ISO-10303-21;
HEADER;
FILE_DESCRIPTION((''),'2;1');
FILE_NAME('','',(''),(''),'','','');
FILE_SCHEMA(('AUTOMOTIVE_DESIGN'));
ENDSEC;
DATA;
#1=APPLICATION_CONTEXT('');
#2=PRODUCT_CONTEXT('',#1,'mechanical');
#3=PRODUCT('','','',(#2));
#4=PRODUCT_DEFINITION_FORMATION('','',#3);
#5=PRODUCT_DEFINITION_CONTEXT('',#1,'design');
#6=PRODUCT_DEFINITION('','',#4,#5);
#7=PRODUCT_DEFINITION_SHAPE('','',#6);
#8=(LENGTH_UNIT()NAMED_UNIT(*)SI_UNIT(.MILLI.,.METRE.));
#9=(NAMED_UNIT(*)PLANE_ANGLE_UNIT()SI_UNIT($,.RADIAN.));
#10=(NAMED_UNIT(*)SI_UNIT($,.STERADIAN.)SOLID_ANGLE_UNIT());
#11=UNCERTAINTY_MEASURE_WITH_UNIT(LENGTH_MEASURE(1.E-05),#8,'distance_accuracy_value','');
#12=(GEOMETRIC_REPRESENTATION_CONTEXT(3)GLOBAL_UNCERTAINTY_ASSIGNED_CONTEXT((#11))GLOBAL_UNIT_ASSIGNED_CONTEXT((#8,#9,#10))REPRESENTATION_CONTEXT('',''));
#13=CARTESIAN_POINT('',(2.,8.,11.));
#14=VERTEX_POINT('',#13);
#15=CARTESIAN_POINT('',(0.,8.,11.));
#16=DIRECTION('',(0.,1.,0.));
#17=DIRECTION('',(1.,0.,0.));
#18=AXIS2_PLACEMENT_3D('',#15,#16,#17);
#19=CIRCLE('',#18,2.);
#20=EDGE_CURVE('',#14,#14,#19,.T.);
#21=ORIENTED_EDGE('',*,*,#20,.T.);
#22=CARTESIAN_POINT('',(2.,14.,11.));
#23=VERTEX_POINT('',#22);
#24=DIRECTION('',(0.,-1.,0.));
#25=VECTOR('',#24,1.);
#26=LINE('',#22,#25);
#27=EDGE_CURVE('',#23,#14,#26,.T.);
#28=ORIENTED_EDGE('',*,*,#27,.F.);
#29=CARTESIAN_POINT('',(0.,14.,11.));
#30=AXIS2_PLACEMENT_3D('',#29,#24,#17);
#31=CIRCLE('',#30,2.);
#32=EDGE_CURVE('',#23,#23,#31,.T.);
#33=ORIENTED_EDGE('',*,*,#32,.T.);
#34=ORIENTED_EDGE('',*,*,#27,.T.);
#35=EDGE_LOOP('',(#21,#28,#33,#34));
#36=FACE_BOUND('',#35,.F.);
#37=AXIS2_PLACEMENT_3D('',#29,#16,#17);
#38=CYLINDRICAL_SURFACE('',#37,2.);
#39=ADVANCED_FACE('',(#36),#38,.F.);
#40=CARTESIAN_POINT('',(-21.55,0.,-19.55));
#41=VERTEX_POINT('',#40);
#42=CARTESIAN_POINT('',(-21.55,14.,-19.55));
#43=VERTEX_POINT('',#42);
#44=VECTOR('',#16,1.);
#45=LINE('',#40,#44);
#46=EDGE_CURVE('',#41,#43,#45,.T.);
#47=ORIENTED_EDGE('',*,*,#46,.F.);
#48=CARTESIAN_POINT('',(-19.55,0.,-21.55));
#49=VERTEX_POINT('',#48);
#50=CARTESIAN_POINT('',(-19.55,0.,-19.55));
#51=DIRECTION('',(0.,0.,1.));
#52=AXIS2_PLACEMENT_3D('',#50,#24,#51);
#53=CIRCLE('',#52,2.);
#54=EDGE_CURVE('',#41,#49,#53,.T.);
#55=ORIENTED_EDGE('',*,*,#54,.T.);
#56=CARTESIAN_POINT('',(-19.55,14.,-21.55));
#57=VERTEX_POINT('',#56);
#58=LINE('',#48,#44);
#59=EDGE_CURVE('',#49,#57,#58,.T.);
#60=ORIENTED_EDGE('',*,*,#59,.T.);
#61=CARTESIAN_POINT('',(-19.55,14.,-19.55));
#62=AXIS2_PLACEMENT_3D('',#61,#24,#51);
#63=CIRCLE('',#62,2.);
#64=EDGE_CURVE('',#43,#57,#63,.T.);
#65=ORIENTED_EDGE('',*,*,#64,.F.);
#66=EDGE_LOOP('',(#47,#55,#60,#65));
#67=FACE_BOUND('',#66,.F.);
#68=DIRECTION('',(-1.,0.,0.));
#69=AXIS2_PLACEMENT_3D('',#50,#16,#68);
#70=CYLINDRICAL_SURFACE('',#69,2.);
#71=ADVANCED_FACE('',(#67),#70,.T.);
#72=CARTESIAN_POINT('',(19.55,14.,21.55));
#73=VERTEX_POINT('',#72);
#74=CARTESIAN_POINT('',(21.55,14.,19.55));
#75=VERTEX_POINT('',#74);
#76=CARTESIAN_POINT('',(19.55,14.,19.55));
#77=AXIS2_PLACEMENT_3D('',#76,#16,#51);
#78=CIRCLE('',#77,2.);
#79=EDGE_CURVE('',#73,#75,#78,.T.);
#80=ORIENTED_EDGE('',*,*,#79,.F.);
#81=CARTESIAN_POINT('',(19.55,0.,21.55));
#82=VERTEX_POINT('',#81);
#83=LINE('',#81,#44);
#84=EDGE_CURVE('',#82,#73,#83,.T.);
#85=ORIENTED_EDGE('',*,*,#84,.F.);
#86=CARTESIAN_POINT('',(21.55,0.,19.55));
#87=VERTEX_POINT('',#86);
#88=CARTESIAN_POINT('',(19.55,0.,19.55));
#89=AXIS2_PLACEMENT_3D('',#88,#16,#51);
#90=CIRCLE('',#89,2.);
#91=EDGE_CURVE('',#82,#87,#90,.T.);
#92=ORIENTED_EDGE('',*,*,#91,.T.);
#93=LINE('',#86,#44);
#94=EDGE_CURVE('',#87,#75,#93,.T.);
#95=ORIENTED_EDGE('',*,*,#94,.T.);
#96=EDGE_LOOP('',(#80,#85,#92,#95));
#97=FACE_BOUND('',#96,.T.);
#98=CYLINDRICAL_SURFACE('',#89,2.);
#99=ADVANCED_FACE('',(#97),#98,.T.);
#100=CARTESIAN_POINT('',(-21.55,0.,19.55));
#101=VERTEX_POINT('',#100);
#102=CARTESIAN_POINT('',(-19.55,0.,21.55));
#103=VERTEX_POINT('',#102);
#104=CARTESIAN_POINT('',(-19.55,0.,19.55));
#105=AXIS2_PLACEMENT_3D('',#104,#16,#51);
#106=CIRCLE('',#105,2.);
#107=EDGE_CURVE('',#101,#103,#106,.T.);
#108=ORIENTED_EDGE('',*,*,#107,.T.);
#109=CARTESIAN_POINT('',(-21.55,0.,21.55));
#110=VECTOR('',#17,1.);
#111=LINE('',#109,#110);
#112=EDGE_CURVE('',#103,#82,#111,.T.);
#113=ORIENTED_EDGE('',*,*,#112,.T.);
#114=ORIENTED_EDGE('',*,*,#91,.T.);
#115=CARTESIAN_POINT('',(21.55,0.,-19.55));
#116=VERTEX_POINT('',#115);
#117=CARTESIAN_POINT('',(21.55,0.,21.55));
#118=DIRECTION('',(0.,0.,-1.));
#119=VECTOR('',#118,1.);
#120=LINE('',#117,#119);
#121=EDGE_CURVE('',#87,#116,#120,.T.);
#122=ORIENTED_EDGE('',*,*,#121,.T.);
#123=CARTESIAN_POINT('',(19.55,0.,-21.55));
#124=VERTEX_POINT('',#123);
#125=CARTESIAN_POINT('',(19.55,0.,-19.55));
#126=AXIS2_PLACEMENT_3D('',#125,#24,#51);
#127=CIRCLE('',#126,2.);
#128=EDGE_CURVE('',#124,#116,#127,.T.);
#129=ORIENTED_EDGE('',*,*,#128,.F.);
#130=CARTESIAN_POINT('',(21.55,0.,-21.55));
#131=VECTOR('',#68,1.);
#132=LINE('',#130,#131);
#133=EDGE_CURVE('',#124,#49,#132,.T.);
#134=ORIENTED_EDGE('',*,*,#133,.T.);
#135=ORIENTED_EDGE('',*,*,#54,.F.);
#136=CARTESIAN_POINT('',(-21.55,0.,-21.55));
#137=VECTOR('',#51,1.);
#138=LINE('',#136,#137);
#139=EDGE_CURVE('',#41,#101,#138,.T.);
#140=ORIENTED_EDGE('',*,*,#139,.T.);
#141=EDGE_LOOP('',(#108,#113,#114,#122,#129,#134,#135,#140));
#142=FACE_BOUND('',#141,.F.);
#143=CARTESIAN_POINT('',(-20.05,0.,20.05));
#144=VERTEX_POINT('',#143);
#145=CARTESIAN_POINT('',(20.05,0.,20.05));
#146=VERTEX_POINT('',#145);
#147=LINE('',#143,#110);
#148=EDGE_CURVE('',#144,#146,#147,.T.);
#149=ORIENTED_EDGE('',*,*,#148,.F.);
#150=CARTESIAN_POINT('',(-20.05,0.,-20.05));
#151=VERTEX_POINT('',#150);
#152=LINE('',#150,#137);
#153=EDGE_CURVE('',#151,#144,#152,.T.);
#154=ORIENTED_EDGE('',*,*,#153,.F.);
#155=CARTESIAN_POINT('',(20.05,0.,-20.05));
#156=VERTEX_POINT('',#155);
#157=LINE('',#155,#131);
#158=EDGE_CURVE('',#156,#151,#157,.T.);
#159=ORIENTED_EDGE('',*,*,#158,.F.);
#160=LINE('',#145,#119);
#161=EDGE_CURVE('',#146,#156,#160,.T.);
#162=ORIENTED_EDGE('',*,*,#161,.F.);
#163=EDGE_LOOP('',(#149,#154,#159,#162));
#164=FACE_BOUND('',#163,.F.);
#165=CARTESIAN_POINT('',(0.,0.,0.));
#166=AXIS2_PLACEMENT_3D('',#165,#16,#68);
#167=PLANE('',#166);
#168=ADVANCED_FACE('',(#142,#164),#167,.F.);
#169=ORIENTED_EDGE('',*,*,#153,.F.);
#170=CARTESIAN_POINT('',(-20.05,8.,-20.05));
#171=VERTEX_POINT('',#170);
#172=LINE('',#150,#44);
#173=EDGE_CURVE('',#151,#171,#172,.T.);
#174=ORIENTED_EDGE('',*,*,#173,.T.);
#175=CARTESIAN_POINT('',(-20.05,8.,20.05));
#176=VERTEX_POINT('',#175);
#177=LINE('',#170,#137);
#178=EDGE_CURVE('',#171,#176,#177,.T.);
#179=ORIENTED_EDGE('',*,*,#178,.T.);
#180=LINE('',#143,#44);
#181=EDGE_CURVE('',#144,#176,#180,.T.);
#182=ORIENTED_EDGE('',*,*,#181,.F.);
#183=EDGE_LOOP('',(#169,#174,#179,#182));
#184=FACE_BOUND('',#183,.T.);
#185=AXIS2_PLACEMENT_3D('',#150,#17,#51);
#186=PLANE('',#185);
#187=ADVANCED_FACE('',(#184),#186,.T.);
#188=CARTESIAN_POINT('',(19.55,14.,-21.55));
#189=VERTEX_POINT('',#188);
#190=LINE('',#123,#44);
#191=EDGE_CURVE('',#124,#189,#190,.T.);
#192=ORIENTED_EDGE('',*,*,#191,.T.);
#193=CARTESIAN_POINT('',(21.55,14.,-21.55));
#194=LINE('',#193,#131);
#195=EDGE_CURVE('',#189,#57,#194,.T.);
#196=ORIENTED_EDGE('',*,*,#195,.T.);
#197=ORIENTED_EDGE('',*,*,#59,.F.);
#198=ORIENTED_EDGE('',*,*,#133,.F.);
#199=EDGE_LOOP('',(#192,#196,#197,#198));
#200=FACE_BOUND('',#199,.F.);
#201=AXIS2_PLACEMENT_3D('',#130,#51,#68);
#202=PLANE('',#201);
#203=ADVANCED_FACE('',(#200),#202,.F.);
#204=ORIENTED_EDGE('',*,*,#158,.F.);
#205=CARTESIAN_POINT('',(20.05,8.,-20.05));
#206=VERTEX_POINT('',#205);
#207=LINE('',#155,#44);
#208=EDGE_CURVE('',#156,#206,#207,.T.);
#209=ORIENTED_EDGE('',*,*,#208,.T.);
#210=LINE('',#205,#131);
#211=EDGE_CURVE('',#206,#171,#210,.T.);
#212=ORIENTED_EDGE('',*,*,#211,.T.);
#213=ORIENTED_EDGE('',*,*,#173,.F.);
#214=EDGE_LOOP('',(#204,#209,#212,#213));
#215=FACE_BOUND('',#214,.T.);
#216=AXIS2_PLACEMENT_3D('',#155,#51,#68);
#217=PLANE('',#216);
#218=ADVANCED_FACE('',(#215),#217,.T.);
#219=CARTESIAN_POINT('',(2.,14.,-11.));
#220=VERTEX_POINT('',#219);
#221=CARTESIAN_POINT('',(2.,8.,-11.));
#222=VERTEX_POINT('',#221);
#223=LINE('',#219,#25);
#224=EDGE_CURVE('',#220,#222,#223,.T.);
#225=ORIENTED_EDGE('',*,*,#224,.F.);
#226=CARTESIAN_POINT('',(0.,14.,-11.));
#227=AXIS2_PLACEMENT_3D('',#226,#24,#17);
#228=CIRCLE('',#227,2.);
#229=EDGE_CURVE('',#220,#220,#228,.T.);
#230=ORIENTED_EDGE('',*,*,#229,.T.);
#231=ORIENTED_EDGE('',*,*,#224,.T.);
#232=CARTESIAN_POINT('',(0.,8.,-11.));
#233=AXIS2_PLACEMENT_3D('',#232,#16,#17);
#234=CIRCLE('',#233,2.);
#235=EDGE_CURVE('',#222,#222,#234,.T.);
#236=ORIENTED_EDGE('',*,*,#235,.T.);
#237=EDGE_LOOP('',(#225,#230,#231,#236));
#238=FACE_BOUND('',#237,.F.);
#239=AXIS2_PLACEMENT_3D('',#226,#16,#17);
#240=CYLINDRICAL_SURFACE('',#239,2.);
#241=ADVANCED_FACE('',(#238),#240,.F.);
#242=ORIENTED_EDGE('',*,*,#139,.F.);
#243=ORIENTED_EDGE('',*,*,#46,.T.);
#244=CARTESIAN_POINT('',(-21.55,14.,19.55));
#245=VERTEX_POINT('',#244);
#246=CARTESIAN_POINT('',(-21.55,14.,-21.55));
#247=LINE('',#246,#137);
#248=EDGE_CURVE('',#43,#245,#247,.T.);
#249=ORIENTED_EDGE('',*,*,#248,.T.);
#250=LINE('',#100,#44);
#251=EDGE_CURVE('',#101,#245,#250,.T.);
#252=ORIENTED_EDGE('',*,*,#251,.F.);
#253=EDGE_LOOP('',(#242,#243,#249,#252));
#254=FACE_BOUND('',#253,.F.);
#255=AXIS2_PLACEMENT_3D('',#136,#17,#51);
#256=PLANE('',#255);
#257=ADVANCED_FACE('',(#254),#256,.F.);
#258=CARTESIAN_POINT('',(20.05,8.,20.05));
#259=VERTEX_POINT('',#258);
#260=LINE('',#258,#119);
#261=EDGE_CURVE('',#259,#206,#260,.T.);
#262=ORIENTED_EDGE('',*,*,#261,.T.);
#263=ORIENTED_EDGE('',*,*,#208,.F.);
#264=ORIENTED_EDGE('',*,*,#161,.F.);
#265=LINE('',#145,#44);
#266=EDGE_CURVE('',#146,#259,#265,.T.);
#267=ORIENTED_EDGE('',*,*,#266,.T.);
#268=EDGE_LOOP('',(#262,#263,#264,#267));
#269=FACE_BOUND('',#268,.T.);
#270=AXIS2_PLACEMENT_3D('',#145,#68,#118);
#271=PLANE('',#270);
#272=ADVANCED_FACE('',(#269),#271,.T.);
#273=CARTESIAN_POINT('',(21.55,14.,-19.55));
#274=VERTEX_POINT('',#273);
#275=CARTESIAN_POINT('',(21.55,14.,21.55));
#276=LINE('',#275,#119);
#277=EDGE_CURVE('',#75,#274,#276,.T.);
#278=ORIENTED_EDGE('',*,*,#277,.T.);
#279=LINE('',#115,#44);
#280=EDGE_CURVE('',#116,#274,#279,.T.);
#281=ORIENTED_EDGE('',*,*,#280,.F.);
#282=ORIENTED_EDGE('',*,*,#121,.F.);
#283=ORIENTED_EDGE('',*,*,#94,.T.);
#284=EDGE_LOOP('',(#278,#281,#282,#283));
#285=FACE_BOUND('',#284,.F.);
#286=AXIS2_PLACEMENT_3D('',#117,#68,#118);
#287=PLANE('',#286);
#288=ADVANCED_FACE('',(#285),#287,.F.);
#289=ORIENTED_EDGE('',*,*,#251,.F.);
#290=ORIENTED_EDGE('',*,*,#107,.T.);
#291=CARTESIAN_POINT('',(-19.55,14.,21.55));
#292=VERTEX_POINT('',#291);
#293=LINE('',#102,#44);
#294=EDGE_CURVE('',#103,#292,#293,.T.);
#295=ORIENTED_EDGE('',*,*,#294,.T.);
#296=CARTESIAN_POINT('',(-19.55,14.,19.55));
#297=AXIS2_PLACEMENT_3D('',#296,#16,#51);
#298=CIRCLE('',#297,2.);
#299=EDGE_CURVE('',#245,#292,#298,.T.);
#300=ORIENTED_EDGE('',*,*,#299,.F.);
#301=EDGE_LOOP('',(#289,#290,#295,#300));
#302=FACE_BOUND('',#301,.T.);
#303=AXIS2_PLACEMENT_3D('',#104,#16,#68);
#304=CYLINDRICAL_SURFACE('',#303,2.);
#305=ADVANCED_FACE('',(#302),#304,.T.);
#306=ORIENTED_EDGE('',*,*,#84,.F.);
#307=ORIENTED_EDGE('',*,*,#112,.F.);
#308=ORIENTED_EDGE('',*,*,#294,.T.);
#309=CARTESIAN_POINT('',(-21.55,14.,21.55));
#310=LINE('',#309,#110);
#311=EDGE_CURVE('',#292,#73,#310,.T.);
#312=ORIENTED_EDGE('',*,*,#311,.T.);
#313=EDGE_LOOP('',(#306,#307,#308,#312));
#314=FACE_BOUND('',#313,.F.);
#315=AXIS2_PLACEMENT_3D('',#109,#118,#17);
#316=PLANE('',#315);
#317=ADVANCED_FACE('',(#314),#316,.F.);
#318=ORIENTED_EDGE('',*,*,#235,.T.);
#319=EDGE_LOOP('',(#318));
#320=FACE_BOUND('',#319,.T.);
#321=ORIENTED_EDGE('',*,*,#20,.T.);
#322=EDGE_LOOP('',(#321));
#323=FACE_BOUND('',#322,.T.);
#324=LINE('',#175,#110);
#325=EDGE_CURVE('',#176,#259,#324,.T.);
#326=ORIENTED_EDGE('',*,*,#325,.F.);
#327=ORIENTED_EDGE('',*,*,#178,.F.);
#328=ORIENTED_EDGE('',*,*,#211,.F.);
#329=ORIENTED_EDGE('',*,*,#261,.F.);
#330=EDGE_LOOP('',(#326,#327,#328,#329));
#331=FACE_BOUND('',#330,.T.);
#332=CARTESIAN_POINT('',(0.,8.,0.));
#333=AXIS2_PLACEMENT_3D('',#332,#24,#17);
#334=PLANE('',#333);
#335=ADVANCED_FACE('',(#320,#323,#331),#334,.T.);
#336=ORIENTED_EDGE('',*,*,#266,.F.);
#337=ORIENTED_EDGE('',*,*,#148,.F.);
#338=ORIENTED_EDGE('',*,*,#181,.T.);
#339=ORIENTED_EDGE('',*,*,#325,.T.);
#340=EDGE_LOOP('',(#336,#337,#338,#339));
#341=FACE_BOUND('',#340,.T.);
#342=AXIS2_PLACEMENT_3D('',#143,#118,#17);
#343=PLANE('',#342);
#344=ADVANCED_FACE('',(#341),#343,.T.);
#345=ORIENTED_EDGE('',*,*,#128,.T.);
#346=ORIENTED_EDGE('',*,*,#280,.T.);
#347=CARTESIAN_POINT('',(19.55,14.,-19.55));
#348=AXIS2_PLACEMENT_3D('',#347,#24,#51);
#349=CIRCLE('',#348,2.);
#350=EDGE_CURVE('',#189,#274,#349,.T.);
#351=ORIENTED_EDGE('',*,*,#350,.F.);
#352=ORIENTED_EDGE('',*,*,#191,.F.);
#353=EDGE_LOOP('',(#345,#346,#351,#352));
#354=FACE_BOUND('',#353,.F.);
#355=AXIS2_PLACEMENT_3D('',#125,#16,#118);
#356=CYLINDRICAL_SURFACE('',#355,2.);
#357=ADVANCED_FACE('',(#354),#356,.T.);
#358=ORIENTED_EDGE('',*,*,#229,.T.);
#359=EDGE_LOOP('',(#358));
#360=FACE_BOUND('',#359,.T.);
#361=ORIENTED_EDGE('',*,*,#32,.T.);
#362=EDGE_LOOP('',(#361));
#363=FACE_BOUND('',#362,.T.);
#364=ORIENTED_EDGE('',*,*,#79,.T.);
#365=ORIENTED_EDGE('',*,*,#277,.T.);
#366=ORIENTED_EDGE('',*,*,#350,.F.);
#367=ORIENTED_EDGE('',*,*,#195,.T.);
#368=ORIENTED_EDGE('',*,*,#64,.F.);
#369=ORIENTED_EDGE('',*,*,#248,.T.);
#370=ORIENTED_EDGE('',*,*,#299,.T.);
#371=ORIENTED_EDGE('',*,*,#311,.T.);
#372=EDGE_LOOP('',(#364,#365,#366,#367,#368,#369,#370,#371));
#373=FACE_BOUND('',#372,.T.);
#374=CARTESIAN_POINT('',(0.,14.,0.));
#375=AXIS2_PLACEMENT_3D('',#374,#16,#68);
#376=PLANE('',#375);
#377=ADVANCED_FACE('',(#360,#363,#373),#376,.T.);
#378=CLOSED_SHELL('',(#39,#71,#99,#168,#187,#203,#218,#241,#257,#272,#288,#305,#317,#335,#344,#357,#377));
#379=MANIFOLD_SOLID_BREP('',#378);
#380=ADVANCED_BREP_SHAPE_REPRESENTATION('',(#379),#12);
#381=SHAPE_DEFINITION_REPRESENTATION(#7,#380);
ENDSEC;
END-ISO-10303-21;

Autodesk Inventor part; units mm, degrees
ref_plane "YZ Plane" through (0, 0, 0) normal (1, 0, 0) x (0, 1, 0)
ref_plane "XZ Plane" through (0, 0, 0) normal (0, 1, 0) x (-1, 0, 0)
ref_plane "XY Plane" through (0, 0, 0) normal (0, 0, 1) x (1, 0, 0)
sketch "Sketch1" plane through (0, 0, 0) normal (0, 1, 0) x (-1, 0, 0)
  line L0 (21.55, 21.55) -> (-21.55, 21.55)
  line L1 (-21.55, 21.55) -> (-21.55, -21.55)
  line L2 (-21.55, -21.55) -> (21.55, -21.55)
  line L3 (21.55, -21.55) -> (21.55, 21.55)
  line L4 (21.55, 21.55) -> (-21.55, -21.55) construction
  line L5 (-21.55, 21.55) -> (21.55, -21.55) construction
  point P0 (0, 0)
  dimension "d0" = 43.1
  dimension "d1" = 43.1
extrude "Extrusion1" add sketch "Sketch1" along normal blind 14
sketch "Sketch2" plane through (0, 0, 0) normal (0, -1, 0) x (1, 0, 0)
  line L0 (-20.05, 20.05) -> (20.05, 20.05)
  line L1 (20.05, 20.05) -> (20.05, -20.05)
  line L2 (20.05, -20.05) -> (-20.05, -20.05)
  line L3 (-20.05, -20.05) -> (-20.05, 20.05)
  line L4 (-20.05, 20.05) -> (20.05, -20.05) construction
  line L5 (20.05, 20.05) -> (-20.05, -20.05) construction
  point P0 (0, 0)
  dimension "d4" = 40.1
  dimension "d5" = 40.1
extrude "Extrusion2" cut sketch "Sketch2" against normal blind 8
fillet "Fillet1" radius 2 4 edges at (-21.55, 7, 21.55) (21.55, 7, 21.55) (21.55, 7, -21.55) (-21.55, 7, -21.55)
sketch "Sketch3" plane through (0, 14, 0) normal (0, 1, 0) x (1, 0, 0)
  line L0 (0, 30.17) -> (0, -30.17) projected
  circle A0 centre (0, -11) radius 2
  circle A1 centre (0, 11) radius 2
  line L1 (30.17, 0) -> (-30.17, 0) projected
  point P0 (0, 0)
  dimension "d9" = 4
  dimension "d10" = 22
extrude "Extrusion3" cut sketch "Sketch3" against normal through all
equation "\"d1\" = d0"
equation "\"d5\" = d4"
properties part number "31_Y-Motor_cable_holder"
